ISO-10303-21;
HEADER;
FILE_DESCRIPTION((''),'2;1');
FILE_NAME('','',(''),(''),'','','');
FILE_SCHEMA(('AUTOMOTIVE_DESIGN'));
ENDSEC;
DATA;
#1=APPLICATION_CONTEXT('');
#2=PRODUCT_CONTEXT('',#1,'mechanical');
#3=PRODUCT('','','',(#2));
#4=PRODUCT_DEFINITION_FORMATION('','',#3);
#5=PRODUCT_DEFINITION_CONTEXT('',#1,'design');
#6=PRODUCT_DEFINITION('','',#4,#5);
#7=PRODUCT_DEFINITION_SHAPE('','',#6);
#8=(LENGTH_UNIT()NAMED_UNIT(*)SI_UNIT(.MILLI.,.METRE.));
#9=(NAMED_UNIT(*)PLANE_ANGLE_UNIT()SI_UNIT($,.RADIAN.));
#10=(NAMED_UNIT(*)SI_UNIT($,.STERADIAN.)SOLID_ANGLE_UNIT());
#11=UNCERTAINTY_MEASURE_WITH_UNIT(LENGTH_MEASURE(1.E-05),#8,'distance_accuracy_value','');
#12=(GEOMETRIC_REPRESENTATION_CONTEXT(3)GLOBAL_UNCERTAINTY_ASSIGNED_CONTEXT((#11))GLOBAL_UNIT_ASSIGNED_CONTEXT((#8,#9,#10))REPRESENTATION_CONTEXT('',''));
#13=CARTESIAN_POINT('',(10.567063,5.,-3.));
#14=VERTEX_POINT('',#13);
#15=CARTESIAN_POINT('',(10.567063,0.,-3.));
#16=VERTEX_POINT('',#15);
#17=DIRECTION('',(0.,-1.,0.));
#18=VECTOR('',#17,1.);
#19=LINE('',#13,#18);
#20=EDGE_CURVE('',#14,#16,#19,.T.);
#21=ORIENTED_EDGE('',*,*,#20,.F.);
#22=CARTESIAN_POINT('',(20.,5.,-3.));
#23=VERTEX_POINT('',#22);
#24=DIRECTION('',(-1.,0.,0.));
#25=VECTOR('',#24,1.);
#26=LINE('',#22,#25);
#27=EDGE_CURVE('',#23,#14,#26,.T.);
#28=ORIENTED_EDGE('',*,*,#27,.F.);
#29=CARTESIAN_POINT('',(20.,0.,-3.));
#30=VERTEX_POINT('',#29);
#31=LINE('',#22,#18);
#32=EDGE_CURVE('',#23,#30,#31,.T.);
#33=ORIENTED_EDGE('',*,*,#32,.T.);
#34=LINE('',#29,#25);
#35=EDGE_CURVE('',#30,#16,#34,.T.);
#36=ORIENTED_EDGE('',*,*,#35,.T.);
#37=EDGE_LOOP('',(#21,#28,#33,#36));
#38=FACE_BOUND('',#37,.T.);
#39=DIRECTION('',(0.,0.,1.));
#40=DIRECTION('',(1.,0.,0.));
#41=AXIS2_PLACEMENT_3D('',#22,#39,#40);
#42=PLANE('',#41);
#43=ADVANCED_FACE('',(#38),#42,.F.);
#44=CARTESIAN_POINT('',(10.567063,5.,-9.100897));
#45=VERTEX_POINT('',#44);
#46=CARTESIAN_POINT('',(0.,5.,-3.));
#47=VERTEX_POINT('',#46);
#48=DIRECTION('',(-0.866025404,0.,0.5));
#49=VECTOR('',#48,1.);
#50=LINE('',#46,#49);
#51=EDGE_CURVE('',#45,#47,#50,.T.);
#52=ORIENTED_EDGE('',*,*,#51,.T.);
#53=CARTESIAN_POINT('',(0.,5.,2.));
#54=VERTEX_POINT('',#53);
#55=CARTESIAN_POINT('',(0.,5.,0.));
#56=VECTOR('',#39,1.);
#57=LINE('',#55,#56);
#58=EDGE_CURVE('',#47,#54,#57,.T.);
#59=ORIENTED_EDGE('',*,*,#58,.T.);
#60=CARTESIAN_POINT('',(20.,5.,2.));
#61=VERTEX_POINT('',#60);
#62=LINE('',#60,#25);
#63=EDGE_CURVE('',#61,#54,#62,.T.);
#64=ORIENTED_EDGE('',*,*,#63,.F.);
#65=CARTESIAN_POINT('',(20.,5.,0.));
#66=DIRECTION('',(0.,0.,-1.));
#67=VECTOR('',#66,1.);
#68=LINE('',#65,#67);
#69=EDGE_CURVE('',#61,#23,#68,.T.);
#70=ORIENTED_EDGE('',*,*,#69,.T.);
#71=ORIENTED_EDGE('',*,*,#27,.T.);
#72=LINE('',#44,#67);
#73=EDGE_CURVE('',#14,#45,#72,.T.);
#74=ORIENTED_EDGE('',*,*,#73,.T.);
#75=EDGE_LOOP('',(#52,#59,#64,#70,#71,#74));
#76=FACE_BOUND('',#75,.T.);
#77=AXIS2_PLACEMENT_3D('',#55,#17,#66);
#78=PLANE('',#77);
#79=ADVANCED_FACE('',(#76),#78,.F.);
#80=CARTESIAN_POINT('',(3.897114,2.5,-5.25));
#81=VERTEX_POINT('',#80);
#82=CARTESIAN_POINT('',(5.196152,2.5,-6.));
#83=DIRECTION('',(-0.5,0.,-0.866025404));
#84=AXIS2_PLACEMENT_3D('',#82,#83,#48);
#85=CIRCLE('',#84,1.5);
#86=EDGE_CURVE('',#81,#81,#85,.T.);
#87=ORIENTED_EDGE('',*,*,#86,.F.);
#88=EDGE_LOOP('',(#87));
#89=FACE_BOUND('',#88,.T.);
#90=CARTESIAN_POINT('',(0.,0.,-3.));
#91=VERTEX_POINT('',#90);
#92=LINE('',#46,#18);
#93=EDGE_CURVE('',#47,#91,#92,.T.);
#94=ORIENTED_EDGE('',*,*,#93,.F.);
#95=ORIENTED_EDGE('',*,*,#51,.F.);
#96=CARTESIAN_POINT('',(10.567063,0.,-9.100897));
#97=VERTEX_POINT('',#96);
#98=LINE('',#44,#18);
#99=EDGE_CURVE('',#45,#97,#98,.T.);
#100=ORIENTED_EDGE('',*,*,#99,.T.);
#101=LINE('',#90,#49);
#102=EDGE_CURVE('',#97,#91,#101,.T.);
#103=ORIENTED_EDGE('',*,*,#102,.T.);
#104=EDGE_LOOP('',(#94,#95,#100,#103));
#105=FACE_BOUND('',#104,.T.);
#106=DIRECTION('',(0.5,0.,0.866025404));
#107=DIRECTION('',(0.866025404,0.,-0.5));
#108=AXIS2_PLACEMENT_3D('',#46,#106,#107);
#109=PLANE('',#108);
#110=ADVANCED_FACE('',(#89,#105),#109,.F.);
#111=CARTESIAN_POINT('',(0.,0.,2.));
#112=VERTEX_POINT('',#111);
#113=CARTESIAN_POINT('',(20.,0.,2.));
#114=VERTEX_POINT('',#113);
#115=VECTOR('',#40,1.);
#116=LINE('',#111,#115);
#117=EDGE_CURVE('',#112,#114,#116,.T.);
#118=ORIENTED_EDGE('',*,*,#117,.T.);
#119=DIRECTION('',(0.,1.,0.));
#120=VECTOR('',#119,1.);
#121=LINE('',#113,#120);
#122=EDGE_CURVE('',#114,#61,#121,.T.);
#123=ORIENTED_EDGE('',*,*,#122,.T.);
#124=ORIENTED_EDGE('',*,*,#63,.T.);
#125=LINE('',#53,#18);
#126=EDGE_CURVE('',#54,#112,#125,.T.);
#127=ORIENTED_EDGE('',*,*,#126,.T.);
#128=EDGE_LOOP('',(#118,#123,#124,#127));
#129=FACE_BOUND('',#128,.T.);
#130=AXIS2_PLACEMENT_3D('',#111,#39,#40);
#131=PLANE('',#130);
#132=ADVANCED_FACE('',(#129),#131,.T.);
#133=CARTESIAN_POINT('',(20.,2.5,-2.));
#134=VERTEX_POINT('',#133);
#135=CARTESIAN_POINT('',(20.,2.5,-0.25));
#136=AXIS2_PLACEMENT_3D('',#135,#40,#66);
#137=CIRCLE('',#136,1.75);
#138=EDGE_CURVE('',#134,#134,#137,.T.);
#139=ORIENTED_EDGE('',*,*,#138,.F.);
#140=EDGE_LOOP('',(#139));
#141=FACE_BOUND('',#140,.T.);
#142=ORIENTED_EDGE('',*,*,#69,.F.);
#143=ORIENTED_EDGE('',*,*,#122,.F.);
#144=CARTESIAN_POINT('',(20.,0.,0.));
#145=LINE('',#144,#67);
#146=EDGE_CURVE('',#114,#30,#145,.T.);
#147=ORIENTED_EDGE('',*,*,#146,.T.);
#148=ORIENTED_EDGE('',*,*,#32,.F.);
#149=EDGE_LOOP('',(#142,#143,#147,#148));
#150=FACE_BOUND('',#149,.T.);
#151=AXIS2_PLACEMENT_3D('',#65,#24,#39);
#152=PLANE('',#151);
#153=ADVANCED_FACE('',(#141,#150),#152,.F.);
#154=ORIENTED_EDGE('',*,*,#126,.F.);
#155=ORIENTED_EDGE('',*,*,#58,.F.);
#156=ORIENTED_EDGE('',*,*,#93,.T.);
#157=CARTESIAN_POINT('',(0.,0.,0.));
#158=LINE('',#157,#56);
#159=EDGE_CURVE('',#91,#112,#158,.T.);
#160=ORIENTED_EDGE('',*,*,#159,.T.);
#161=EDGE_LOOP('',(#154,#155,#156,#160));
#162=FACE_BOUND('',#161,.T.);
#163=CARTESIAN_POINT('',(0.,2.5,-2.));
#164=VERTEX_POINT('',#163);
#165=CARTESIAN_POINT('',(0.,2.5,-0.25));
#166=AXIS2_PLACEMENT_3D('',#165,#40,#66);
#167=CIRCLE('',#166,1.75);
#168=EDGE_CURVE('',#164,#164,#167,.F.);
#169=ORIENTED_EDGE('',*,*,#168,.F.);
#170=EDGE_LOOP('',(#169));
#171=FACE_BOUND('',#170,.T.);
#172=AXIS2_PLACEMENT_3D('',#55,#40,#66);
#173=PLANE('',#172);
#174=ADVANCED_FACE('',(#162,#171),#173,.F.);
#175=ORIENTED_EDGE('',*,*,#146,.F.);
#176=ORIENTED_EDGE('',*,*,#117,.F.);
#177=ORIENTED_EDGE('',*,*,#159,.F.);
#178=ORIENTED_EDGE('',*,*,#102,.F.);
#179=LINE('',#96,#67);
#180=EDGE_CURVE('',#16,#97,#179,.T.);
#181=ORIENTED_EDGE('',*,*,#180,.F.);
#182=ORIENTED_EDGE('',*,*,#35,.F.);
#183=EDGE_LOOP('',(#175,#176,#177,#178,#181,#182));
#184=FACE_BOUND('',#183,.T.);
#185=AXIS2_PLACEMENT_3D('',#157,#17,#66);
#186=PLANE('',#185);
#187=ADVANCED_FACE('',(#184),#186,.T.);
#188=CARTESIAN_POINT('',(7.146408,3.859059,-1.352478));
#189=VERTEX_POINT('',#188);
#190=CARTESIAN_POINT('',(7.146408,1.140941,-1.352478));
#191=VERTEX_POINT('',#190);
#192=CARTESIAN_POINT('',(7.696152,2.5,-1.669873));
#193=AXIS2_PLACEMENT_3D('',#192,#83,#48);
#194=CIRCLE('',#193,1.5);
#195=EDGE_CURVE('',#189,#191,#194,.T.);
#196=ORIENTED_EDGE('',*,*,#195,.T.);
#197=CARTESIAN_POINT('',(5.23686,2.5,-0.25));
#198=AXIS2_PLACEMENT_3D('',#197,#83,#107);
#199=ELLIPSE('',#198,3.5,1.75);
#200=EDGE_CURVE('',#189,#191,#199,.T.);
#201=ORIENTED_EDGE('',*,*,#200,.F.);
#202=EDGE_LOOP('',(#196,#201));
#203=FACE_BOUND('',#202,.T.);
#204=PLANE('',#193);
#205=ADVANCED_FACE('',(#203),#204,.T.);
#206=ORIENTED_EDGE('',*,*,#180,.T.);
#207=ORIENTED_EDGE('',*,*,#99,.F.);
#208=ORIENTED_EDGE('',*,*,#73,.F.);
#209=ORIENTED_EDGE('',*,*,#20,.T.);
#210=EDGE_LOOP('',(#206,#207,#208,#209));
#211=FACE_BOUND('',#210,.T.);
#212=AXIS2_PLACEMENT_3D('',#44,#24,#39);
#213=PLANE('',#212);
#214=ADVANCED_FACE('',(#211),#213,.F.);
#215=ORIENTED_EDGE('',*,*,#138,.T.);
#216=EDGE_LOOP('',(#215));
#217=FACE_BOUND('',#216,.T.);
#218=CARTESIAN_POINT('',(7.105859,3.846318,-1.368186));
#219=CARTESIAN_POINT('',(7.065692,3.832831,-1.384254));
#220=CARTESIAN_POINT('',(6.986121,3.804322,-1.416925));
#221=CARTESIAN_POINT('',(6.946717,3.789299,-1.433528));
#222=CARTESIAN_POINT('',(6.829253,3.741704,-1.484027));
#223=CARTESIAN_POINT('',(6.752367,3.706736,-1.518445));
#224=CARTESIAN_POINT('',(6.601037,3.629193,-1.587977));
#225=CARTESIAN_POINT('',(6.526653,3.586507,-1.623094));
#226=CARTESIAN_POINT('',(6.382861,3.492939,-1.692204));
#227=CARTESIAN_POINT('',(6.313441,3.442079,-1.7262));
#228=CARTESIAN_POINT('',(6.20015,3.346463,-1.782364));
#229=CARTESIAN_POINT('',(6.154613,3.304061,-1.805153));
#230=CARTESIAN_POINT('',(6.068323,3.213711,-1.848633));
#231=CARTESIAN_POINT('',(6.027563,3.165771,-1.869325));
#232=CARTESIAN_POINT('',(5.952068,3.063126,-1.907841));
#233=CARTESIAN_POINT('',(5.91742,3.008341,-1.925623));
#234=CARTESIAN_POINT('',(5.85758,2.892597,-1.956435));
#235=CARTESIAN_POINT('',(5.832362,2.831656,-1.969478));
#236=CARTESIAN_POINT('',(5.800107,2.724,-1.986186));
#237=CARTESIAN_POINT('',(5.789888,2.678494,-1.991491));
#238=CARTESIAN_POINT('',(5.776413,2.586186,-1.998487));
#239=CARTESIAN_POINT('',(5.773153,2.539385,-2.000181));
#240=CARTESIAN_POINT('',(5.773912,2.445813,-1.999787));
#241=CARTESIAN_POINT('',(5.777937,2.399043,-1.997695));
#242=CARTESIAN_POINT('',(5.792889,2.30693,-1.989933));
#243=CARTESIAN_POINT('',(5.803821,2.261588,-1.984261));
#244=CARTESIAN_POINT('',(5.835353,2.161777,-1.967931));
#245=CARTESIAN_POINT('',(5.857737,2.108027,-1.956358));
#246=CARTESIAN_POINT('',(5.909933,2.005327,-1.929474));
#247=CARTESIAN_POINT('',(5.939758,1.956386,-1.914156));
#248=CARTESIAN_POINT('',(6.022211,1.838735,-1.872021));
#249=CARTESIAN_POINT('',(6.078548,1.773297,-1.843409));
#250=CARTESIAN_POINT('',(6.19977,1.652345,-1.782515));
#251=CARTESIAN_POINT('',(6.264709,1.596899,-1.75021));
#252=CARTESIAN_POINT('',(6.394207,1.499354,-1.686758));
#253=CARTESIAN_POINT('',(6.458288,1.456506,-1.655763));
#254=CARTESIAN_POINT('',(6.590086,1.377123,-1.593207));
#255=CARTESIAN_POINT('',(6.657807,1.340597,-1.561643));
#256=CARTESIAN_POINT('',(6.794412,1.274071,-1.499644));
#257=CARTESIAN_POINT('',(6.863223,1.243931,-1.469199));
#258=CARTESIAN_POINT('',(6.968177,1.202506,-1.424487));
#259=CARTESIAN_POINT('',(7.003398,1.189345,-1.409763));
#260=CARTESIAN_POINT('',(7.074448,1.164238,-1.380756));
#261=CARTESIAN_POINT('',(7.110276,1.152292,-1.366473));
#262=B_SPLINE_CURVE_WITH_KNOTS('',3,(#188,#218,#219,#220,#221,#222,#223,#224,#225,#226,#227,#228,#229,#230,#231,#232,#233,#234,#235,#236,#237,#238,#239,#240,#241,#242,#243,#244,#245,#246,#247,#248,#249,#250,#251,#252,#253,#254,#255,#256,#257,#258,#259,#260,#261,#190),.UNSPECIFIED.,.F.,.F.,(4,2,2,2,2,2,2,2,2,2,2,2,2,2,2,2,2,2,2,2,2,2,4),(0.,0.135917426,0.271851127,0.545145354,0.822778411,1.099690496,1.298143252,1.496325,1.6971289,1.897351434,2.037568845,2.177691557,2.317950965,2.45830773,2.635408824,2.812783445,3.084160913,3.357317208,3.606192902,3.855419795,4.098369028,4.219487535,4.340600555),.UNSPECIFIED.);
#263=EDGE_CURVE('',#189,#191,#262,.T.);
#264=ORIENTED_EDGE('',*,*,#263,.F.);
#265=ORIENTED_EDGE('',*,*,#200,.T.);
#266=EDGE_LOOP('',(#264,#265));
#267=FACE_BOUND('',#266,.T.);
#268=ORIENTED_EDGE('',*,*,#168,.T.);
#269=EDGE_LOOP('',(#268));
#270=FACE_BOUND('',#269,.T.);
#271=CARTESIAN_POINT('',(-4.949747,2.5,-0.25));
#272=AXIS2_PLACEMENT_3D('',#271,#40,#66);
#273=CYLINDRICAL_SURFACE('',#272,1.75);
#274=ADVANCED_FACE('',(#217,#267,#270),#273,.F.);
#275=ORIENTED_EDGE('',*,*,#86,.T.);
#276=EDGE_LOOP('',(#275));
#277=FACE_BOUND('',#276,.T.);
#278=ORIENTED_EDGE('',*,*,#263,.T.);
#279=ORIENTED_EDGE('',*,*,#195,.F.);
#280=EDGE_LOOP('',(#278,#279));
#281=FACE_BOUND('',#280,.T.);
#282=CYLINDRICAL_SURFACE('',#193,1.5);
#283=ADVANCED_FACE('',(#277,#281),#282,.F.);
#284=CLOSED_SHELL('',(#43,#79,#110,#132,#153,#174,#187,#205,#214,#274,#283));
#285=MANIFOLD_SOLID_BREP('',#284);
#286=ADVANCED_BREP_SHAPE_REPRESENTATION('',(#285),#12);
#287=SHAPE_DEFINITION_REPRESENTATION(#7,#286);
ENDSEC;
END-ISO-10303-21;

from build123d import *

# Parameters (mm, degrees)
BOSS_EXTRUDE1_DEPTH = 5
SKETCH2_R           = 1.5
CUT_EXTRUDE1_DEPTH  = 5
SKETCH5_W           = 20
SKETCH5_H           = 5
BOSS_EXTRUDE3_DEPTH = 2
CUT_EXTRUDE2_REACH  = 24.535
SKETCH6_R           = 1.75


with BuildPart() as part:
    # Sketch1 → Boss-Extrude1 (new body)
    with BuildSketch(Plane(origin=(0, 0, 0), x_dir=(1, 0, 0), z_dir=(0, 1, 0))):
        Polygon((0, 0), (0, 3), (10.567063084, 9.100896716), (10.567063084, 3), (20, 3), (20, 0), align=None)
    extrude(amount=BOSS_EXTRUDE1_DEPTH)

    # Sketch2 → Cut-Extrude1 (cut)
    with BuildSketch(Plane(origin=(-1.299038106, 0, -2.25), x_dir=(-0.8660254037844397, 0, 0.49999999999999806), z_dir=(-0.49999999999999806, 0, -0.8660254037844397))):
        with Locations((-7.5, 2.5)):
            Circle(SKETCH2_R)
    extrude(amount=-CUT_EXTRUDE1_DEPTH, mode=Mode.SUBTRACT)

    # Sketch5 → Boss-Extrude3 (add)
    with BuildSketch(Plane.XY):
        with Locations((10, 2.5)):
            Rectangle(SKETCH5_W, SKETCH5_H)
    extrude(amount=BOSS_EXTRUDE3_DEPTH)

    # Cut-Extrude2: up to this face of the body (flat: up to its plane)
    cut_extrude2_end = Plane(part.part.faces().sort_by_distance((0, 2.5, -0.5))[0])
    # Sketch6 → Cut-Extrude2 (cut, up to the picked face)
    with BuildSketch(Plane(origin=(20, 0, 0), x_dir=(0, 0, -1), z_dir=(1, 0, 0)), mode=Mode.PRIVATE) as cut_extrude2_sk1:
        with Locations((0.25, 2.5)):
            Circle(SKETCH6_R)
    cut_extrude2_tool1 = split(extrude(cut_extrude2_sk1.sketch, amount=-CUT_EXTRUDE2_REACH, mode=Mode.PRIVATE), bisect_by=cut_extrude2_end, keep=Keep.BOTH, mode=Mode.PRIVATE)
    add(cut_extrude2_tool1.solids().sort_by(Axis((20, 2.5, -0.25), (-1, 0, 0)))[0], mode=Mode.SUBTRACT)


solid = part.part
